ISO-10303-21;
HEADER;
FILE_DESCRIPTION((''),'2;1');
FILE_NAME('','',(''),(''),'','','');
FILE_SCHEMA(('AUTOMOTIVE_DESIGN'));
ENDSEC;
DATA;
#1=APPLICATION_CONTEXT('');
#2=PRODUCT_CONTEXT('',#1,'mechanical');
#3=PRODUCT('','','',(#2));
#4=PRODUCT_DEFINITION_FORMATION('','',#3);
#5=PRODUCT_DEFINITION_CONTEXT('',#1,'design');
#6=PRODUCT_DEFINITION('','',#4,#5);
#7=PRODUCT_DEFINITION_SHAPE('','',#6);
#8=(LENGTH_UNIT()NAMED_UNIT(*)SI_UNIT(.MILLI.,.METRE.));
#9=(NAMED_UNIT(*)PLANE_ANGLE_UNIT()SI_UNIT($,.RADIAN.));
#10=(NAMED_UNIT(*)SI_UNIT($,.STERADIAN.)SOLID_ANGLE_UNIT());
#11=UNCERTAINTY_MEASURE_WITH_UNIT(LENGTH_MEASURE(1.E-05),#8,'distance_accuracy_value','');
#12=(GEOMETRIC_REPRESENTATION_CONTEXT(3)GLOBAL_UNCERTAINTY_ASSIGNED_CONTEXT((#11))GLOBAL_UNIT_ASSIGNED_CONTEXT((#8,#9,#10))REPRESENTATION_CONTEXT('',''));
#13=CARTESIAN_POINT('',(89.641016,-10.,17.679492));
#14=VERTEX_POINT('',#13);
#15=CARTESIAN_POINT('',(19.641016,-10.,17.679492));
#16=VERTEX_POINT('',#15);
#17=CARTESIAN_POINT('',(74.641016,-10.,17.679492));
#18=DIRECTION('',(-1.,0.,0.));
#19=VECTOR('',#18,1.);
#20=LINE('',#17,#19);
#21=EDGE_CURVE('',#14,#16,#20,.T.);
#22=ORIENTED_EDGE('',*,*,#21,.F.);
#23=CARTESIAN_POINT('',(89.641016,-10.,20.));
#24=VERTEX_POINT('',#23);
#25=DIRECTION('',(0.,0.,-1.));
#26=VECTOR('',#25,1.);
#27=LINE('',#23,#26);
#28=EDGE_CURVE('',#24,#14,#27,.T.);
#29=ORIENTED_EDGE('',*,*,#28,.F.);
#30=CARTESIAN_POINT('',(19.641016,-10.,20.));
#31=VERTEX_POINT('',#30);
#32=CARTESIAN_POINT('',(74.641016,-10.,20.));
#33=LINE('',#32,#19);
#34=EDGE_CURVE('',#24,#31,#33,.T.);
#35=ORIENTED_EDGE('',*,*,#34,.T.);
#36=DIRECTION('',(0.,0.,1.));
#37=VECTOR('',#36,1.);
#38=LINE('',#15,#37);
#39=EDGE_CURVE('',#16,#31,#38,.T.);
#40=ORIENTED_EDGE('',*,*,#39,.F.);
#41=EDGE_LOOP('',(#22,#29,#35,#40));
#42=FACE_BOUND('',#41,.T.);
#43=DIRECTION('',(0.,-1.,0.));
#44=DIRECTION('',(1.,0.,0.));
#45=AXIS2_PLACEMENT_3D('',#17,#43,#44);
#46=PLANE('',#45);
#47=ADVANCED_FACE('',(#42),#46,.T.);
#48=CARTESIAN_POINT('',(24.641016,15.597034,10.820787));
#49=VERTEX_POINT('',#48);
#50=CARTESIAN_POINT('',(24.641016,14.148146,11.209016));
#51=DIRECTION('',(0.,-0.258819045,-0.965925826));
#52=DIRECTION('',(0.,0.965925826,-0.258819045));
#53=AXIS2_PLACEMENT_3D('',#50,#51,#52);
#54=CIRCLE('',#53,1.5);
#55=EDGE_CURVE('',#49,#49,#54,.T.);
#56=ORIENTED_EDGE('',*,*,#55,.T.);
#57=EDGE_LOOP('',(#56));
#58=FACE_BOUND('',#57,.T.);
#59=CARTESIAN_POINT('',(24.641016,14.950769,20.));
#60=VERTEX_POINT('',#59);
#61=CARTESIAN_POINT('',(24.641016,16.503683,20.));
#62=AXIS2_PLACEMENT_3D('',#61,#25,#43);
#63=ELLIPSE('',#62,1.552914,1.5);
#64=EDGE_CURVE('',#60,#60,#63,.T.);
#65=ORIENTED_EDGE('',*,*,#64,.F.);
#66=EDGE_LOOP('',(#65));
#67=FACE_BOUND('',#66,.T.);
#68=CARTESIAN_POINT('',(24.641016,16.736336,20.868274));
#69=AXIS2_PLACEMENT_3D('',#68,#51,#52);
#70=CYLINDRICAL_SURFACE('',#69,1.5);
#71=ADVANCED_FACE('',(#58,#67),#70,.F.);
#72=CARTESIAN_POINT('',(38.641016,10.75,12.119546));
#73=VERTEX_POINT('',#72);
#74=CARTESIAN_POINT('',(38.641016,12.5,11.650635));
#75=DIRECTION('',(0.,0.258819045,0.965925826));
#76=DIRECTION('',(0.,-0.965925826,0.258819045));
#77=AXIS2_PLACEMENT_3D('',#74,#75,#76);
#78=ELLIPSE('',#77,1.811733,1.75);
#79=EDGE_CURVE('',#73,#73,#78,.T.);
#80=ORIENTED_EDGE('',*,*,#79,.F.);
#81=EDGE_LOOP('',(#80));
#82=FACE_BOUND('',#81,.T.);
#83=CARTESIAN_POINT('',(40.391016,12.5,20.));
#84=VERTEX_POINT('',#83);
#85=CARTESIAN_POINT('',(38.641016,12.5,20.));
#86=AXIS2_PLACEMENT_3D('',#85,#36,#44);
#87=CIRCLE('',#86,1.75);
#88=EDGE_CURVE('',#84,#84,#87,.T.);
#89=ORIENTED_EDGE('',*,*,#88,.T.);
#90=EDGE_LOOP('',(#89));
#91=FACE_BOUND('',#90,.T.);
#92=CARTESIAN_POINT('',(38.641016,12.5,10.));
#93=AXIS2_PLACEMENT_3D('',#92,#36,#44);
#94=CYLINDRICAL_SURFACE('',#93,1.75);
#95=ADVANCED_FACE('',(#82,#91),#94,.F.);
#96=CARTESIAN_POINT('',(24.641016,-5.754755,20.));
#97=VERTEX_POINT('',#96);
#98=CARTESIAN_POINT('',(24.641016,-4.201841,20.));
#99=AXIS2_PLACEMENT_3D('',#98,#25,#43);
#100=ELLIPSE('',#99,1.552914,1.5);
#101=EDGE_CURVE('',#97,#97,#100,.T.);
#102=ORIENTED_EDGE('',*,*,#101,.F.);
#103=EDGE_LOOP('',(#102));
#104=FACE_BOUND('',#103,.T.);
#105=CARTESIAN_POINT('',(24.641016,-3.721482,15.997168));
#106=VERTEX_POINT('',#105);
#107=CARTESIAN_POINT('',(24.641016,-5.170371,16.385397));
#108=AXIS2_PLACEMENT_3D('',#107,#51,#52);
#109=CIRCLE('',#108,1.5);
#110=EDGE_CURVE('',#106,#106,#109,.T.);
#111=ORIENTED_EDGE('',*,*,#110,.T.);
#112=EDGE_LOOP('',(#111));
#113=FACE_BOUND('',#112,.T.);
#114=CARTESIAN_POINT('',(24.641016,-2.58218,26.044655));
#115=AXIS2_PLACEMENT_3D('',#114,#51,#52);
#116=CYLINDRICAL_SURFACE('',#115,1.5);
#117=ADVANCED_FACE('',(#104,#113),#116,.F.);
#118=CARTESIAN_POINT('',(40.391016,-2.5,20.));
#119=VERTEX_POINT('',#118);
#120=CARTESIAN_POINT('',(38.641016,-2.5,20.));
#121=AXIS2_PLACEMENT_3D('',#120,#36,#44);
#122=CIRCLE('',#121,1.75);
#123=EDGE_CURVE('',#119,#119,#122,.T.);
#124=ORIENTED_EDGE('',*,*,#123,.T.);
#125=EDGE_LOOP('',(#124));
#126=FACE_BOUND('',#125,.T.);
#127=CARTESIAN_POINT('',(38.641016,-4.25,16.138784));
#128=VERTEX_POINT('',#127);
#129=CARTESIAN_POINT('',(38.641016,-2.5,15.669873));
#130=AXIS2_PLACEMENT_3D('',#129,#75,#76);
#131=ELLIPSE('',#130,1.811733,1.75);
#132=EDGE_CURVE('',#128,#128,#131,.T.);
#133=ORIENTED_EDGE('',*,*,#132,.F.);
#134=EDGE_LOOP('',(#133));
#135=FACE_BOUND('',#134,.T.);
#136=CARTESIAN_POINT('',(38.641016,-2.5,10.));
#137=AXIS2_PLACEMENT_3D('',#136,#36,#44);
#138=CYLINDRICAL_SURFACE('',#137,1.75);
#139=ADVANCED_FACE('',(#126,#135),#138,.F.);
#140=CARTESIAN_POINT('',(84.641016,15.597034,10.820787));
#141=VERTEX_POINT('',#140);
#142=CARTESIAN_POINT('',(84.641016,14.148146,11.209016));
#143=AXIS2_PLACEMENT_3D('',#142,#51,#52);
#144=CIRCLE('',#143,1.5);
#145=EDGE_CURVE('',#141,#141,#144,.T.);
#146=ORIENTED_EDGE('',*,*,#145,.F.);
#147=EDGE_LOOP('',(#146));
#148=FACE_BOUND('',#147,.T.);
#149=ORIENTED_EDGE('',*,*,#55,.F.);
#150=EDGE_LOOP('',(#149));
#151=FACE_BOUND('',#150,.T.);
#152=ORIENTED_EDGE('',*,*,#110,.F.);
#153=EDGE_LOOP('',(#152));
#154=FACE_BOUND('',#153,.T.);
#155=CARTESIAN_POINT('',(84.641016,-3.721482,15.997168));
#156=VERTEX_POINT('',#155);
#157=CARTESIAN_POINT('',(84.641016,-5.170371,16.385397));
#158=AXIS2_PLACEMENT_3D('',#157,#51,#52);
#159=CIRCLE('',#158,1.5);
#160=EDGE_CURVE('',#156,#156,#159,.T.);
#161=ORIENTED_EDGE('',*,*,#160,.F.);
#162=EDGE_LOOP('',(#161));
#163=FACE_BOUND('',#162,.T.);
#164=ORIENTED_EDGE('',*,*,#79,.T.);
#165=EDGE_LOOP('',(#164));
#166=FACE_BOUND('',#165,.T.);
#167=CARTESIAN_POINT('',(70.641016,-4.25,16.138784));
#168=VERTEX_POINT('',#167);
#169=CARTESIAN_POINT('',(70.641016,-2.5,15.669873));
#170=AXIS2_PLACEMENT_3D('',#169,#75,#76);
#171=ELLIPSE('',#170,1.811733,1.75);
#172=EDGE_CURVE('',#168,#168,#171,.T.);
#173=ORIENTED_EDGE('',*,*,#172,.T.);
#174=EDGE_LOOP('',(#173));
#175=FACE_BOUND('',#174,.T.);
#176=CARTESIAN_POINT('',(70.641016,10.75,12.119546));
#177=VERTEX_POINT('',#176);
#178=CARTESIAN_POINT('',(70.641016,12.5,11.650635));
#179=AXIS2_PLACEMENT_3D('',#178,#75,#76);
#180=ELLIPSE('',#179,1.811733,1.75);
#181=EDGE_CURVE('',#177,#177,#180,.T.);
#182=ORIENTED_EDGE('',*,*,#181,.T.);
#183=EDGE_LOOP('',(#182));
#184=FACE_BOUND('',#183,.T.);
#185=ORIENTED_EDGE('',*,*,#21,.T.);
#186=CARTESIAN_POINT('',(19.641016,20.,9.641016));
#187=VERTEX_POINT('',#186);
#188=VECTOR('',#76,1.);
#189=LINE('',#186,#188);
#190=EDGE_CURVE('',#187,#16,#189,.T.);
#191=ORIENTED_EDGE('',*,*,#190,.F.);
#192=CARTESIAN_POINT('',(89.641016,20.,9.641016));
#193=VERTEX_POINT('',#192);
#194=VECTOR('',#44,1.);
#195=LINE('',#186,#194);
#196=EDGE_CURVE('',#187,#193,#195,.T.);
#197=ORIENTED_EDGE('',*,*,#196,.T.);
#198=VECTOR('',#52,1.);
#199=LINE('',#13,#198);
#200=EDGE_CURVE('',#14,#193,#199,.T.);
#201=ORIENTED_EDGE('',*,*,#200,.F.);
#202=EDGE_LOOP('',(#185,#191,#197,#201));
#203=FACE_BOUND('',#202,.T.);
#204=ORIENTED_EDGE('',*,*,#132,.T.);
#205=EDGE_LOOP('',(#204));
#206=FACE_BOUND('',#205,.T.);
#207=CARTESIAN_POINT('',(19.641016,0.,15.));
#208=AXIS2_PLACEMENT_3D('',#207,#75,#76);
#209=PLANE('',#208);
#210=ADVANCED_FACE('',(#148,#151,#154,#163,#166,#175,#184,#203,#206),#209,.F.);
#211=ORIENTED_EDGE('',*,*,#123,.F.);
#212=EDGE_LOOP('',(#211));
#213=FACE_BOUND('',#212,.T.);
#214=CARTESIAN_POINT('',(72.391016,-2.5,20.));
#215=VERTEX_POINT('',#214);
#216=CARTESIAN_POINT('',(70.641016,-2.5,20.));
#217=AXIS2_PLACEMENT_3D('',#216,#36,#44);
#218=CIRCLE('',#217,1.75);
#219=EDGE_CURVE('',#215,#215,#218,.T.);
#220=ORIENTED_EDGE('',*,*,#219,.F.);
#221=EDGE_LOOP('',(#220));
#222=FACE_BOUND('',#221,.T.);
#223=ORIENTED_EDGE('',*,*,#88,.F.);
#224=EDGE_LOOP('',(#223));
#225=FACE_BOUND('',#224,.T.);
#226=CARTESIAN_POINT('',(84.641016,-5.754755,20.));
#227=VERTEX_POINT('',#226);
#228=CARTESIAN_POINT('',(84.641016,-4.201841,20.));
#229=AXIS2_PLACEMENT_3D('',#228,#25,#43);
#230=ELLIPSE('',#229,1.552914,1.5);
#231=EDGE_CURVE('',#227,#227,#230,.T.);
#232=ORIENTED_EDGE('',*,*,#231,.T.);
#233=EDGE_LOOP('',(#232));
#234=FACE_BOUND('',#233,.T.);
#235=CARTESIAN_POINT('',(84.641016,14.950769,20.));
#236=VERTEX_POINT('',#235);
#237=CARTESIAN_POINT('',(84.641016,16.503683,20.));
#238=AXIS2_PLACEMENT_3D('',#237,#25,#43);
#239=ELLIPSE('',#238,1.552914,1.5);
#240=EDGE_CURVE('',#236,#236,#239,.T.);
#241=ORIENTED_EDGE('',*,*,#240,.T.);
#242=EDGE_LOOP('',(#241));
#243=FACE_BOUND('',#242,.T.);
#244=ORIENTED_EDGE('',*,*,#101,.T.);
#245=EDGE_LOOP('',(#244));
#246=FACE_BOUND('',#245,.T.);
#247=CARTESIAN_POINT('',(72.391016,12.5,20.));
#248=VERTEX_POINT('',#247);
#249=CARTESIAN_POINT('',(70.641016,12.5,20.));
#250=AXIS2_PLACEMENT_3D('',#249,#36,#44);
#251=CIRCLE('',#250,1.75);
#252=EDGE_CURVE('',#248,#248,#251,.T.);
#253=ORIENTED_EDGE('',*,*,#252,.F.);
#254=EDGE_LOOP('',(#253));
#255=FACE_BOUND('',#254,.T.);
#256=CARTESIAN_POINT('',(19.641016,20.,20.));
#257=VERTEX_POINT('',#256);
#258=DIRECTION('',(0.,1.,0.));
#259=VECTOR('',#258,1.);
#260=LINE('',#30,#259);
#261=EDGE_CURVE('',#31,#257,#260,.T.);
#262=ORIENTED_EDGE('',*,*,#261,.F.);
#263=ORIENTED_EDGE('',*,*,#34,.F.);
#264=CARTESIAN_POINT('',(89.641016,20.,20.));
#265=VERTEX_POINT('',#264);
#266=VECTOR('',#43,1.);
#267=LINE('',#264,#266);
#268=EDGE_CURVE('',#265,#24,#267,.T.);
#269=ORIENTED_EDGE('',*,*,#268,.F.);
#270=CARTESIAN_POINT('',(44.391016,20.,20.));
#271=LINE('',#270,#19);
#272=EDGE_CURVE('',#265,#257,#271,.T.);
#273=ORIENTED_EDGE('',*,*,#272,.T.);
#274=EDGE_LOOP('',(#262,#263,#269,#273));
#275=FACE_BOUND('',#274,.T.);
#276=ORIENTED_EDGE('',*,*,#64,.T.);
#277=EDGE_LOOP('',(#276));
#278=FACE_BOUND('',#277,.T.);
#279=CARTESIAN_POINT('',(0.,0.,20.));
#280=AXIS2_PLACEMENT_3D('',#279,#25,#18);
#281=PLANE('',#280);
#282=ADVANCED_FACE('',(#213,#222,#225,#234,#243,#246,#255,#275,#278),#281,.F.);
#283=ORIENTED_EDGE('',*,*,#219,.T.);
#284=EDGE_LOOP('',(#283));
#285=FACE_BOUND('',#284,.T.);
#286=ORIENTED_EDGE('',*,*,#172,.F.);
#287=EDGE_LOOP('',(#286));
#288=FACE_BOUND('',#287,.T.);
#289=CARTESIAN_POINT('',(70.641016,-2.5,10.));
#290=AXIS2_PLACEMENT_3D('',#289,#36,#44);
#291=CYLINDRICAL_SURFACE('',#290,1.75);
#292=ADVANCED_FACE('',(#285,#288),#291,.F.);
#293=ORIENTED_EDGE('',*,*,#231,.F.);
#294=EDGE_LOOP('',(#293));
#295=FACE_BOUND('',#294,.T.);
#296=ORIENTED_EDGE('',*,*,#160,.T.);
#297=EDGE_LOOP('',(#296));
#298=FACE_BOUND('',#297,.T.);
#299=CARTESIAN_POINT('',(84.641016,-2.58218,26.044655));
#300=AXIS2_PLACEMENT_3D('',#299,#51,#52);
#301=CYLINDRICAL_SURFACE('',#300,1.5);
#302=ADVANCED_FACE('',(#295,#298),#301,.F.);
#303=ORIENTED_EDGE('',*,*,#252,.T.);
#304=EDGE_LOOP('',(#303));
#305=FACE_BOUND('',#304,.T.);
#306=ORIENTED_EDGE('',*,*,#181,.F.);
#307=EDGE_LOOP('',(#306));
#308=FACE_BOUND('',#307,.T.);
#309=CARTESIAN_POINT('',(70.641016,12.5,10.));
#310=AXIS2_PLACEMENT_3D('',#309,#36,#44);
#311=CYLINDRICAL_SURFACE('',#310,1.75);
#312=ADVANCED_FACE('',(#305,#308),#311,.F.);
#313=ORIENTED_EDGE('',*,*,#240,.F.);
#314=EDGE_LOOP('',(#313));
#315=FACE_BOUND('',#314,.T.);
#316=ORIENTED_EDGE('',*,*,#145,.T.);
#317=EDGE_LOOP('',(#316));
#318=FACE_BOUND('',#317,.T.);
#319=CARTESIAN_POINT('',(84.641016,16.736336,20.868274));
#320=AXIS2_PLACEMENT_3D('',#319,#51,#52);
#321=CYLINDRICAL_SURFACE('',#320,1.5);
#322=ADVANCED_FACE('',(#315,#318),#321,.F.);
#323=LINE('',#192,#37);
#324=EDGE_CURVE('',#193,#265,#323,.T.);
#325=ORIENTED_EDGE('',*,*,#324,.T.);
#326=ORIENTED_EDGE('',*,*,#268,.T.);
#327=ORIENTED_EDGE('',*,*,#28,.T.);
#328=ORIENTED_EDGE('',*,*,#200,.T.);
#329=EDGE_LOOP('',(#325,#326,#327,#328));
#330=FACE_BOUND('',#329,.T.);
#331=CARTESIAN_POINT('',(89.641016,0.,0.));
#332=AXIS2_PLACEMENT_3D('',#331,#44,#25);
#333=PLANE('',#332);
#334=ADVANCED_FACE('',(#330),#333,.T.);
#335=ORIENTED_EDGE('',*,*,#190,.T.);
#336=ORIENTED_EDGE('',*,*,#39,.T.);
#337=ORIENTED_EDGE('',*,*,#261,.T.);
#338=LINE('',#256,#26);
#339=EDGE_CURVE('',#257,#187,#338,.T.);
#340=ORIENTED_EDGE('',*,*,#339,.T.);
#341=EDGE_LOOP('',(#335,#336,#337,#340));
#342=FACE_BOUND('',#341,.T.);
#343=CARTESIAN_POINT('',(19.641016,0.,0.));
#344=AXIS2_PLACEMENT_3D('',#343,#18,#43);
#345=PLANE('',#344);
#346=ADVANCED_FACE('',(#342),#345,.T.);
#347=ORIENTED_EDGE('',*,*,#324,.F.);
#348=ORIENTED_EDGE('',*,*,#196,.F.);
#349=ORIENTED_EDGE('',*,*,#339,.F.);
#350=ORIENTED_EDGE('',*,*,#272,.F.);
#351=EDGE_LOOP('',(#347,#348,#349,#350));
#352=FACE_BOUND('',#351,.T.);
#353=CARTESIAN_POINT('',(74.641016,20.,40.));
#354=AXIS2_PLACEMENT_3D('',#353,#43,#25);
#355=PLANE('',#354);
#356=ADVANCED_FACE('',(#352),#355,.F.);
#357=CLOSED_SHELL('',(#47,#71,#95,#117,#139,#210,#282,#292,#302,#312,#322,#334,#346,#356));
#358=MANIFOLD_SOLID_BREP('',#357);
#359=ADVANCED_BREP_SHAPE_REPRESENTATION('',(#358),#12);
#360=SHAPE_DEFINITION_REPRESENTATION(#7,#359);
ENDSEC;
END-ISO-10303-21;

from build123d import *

# Parameters (mm, degrees)
EXTRUDE_1_DEPTH     = 40
EXTRUDE_2_DEPTH     = 40
SKETCH_9_W          = 20.5
SKETCH_9_H          = 20
CUT_EXTRUDE_2_DEPTH = 20
SKETCH_10_W         = 4.875
SKETCH_10_H         = 20
CUT_EXTRUDE_3_DEPTH = 20
CUT_EXTRUDE_4_DEPTH = 55
SKETCH_12_W         = 51.656841865
SKETCH_12_H         = 34.217395835
CUT_EXTRUDE_5_DEPTH = 34
EXTRUDE_3_DEPTH     = 40
SKETCH_16_R         = 1.75
CUT_EXTRUDE_6_DEPTH = 10
EXTRUDE_4_DEPTH     = 15
EXTRUDE_5_DEPTH     = 15
SKETCH_19_R         = 1.5
CUT_EXTRUDE_7_DEPTH = 10


with BuildPart() as part:
    # 草图1 → 凸台-拉伸1 (new body)
    with BuildSketch(Plane.XY):
        Polygon((74.641016151, 0), (74.641016151, 20), (34.641016151, 20), (34.641016151, 9.282032303), (34.641016151, 0), align=None)
    extrude(amount=EXTRUDE_1_DEPTH)

    # 草图8 → 凸台-拉伸2 (add)
    with BuildSketch(Plane(origin=(74.641016151, 0, 0), x_dir=(0, 0, -1), z_dir=(1, 0, 0))):
        Polygon((0, 0), (0, 20), (5.358983849, 20), align=None)
    extrude(amount=-EXTRUDE_2_DEPTH)

    # 草图9 → 切除-拉伸2 (cut)
    with BuildSketch(Plane.XY.offset(40)):
        with Locations((54.641016151, 10)):
            Rectangle(SKETCH_9_W, SKETCH_9_H)
    extrude(amount=-CUT_EXTRUDE_2_DEPTH, mode=Mode.SUBTRACT)

    # 草图10 → 切除-拉伸3 (cut)
    with BuildSketch(Plane.XY.offset(40)):
        with Locations((72.203516151, 10)):
            Rectangle(SKETCH_10_W, SKETCH_10_H)
        with Locations((37.078516151, 10)):
            Rectangle(SKETCH_10_W, SKETCH_10_H)
    extrude(amount=-CUT_EXTRUDE_3_DEPTH, mode=Mode.SUBTRACT)

    # 草图11 → 切除-拉伸4 (cut)
    with BuildSketch(Plane(origin=(74.641016151, 0, 0), x_dir=(0, 0, -1), z_dir=(1, 0, 0))):
        Polygon((0, 0), (5.358983849, 20), (-9.641016151, 20), (-15, 0), align=None)
    extrude(amount=-CUT_EXTRUDE_4_DEPTH, mode=Mode.SUBTRACT)

    # 草图12 → 切除-拉伸5 (cut)
    with BuildSketch(Plane.XY.offset(20)):
        with Locations((55.994076619, 8.947658785)):
            Rectangle(SKETCH_12_W, SKETCH_12_H)
    extrude(amount=CUT_EXTRUDE_5_DEPTH, mode=Mode.SUBTRACT)

    # 草图15 → 凸台-拉伸3 (add)
    with BuildSketch(Plane.ZY.offset(-34.641016151)):
        Polygon((20, 0), (20, -10), (17.679491924, -10), (15, 0), align=None)
    extrude(amount=-EXTRUDE_3_DEPTH)

    # 草图16 → 切除-拉伸6 (cut)
    with BuildSketch(Plane.XY.offset(20)):
        with Locations((38.641016151, 12.5)):
            Circle(SKETCH_16_R)
        with Locations((70.641016151, 12.5)):
            Circle(SKETCH_16_R)
        with Locations((70.641016151, -2.5)):
            Circle(SKETCH_16_R)
        with Locations((38.641016151, -2.5)):
            Circle(SKETCH_16_R)
    extrude(amount=-CUT_EXTRUDE_6_DEPTH, mode=Mode.SUBTRACT)

    # 草图17 → 凸台-拉伸4 (add)
    with BuildSketch(Plane(origin=(74.641016151, 0, 0), x_dir=(0, 0, -1), z_dir=(1, 0, 0))):
        Polygon((-20, 20), (-20, -10), (-17.679491924, -10), (-9.641016151, 20), align=None)
    extrude(amount=EXTRUDE_4_DEPTH)

    # 草图18 → 凸台-拉伸5 (add)
    with BuildSketch(Plane.ZY.offset(-34.641016151)):
        Polygon((20, 20), (9.641016151, 20), (17.679491924, -10), (20, -10), align=None)
    extrude(amount=EXTRUDE_5_DEPTH)

    # 草图19 → 切除-拉伸7 (cut)
    with BuildSketch(Plane(origin=(0, 3.75, 13.995190528), x_dir=(-1, 0, 0), z_dir=(0, -0.2588190451025213, -0.9659258262890682))):
        with Locations(Location((-84.641016151, -9.235047481, 0), (0, 0, 90))):
            Circle(SKETCH_19_R)
        with Locations(Location((-84.641016151, 10.764952519, 0), (0, 0, 90))):
            Circle(SKETCH_19_R)
        with Locations(Location((-24.641016151, -9.235047481, 0), (0, 0, 90))):
            Circle(SKETCH_19_R)
        with Locations(Location((-24.641016151, 10.764952519, 0), (0, 0, 90))):
            Circle(SKETCH_19_R)
    extrude(amount=-CUT_EXTRUDE_7_DEPTH, mode=Mode.SUBTRACT)


solid = part.part
